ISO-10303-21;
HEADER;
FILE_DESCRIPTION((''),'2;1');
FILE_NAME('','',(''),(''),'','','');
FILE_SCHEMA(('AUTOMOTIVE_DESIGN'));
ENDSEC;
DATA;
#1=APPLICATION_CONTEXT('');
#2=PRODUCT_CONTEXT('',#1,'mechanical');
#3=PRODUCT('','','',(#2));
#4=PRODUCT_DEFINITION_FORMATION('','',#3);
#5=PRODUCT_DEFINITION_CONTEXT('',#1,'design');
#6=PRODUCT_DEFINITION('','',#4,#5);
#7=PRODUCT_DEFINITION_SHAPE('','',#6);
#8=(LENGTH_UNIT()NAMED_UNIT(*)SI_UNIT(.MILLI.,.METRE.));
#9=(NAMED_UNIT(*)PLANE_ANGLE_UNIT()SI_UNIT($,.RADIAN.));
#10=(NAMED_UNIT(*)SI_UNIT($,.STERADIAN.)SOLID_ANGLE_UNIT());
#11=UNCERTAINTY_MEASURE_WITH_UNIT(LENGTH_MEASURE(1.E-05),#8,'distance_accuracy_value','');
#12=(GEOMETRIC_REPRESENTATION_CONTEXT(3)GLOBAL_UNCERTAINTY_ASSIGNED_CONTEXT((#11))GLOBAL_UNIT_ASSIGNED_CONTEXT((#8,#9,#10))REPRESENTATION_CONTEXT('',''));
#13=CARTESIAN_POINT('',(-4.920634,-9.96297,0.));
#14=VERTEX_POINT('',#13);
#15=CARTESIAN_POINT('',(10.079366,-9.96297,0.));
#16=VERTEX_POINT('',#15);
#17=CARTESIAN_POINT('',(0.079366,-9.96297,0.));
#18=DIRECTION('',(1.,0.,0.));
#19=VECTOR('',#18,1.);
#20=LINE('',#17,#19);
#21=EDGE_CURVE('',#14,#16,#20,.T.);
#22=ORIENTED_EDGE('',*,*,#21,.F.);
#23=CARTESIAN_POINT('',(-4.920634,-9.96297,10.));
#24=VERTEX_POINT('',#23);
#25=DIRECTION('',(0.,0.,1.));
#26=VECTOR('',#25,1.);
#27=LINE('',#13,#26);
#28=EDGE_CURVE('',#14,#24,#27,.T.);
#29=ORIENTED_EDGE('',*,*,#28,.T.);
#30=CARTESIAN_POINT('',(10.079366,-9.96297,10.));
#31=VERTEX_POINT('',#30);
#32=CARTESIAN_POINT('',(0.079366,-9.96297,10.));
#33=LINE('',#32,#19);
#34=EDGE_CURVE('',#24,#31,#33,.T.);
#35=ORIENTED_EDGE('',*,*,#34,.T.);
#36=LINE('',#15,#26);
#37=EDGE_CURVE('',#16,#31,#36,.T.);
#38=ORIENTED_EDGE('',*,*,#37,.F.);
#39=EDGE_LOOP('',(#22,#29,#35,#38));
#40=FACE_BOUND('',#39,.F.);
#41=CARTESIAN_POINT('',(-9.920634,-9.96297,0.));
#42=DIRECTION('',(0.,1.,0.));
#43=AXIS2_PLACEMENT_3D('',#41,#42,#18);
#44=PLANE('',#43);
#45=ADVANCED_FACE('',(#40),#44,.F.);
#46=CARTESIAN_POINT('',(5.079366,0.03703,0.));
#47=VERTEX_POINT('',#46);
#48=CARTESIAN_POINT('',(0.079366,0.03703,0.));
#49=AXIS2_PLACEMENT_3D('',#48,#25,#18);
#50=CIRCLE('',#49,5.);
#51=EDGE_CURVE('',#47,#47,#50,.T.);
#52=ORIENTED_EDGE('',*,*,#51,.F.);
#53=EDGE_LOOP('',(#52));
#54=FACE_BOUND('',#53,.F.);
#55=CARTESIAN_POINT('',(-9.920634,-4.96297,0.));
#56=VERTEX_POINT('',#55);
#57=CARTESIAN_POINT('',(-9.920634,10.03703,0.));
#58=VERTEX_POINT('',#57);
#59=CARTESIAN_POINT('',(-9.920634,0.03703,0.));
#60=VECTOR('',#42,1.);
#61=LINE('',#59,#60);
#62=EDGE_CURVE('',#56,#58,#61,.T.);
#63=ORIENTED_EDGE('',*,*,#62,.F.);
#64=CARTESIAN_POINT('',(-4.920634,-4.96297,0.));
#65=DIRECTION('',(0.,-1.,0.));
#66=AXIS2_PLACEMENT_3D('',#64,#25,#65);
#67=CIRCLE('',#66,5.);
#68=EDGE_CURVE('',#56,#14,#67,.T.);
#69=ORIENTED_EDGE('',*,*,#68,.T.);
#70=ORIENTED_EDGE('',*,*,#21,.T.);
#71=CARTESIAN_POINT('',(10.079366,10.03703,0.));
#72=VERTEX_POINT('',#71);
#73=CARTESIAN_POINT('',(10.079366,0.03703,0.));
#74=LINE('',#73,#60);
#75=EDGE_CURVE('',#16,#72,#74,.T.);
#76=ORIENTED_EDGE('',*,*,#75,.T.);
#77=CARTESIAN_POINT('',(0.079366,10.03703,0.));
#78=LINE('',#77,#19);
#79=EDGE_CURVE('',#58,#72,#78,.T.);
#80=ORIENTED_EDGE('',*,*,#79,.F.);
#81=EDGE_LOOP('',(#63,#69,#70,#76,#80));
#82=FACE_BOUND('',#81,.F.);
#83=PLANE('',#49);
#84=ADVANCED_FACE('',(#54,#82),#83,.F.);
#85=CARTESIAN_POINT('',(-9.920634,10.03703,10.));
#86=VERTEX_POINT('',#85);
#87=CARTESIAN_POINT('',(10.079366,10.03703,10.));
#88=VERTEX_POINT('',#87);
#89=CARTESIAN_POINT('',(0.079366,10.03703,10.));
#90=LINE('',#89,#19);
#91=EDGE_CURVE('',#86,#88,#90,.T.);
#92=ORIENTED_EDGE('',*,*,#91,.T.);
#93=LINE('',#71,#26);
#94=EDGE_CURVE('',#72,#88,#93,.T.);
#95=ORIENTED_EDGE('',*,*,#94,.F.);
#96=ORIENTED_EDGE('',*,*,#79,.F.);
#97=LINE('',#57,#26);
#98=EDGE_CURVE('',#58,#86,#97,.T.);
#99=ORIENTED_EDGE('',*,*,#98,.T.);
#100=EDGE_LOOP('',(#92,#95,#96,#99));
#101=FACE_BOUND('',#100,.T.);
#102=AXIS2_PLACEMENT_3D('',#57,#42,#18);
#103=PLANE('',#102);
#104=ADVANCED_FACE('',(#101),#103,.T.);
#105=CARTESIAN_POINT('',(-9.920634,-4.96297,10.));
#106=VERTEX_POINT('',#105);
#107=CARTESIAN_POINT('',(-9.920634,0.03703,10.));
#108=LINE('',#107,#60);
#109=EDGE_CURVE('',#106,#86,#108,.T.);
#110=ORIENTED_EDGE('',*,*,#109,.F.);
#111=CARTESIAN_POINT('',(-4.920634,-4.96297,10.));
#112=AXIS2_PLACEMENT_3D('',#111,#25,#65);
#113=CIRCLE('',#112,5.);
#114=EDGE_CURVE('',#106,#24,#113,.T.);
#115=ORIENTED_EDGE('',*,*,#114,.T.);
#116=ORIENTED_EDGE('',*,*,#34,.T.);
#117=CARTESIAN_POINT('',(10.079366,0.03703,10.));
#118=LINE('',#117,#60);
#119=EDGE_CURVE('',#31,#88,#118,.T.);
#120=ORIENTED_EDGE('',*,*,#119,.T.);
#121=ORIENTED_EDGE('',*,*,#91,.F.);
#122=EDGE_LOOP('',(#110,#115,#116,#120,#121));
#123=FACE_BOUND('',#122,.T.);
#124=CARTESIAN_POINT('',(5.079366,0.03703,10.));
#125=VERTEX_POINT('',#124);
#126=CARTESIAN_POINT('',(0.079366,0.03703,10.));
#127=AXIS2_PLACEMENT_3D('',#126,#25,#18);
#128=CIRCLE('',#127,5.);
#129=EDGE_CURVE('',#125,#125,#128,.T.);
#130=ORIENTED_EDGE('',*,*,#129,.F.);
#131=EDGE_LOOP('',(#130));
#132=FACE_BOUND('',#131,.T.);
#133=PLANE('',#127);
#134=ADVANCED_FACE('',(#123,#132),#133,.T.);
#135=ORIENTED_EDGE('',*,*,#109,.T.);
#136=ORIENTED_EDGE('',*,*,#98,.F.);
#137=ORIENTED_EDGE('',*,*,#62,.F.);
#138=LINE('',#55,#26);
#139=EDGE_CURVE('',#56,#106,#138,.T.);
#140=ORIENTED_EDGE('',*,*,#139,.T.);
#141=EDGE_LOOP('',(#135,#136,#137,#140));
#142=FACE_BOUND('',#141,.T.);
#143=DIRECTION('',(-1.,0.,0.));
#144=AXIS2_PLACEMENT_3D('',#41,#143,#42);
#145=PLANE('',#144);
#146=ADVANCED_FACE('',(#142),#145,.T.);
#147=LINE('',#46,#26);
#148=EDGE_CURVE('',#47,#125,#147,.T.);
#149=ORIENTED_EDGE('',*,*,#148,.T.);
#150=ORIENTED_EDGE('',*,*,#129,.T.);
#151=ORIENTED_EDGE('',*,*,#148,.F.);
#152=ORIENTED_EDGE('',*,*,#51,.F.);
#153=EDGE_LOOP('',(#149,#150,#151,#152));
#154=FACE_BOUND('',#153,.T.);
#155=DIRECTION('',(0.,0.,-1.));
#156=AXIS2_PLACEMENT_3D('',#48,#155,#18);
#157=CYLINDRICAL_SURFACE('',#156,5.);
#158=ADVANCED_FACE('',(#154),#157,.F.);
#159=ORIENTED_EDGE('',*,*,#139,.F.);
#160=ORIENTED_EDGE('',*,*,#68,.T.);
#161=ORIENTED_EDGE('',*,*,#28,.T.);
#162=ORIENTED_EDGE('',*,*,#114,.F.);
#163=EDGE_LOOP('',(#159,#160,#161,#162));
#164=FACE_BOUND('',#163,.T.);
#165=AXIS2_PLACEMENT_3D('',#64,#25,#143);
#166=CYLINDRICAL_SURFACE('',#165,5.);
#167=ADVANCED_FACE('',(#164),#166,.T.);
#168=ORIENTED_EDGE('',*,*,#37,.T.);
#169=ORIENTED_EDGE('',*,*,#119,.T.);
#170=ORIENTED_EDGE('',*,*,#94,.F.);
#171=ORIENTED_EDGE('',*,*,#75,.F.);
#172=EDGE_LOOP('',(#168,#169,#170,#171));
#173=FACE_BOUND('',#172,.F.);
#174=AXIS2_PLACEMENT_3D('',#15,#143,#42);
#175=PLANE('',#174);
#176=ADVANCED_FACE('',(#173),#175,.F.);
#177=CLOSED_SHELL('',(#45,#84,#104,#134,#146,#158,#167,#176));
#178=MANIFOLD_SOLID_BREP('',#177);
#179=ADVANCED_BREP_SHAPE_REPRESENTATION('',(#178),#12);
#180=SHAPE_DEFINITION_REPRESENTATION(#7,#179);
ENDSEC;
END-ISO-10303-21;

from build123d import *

# Parameters (mm, degrees)
F0_W     = 20
F0_H     = 20
F0_R     = 5
F1_DEPTH = 10
F2_R     = 5


with BuildPart() as f1:
    # F0 (on Top) → F1 (new body)
    with BuildSketch(Plane.XY):
        with Locations((0.079366, 0.03703)):
            Rectangle(F0_W, F0_H)
        with Locations((0.079366, 0.03703)):
            Circle(F0_R, mode=Mode.SUBTRACT)
    extrude(amount=F1_DEPTH)

    # F2
    f2_edges = [f1.edges().sort_by_distance(p)[0] for p in [
        (-9.920634, -9.96297, 5),
    ]]
    fillet(f2_edges, radius=F2_R)


solid = f1.part
